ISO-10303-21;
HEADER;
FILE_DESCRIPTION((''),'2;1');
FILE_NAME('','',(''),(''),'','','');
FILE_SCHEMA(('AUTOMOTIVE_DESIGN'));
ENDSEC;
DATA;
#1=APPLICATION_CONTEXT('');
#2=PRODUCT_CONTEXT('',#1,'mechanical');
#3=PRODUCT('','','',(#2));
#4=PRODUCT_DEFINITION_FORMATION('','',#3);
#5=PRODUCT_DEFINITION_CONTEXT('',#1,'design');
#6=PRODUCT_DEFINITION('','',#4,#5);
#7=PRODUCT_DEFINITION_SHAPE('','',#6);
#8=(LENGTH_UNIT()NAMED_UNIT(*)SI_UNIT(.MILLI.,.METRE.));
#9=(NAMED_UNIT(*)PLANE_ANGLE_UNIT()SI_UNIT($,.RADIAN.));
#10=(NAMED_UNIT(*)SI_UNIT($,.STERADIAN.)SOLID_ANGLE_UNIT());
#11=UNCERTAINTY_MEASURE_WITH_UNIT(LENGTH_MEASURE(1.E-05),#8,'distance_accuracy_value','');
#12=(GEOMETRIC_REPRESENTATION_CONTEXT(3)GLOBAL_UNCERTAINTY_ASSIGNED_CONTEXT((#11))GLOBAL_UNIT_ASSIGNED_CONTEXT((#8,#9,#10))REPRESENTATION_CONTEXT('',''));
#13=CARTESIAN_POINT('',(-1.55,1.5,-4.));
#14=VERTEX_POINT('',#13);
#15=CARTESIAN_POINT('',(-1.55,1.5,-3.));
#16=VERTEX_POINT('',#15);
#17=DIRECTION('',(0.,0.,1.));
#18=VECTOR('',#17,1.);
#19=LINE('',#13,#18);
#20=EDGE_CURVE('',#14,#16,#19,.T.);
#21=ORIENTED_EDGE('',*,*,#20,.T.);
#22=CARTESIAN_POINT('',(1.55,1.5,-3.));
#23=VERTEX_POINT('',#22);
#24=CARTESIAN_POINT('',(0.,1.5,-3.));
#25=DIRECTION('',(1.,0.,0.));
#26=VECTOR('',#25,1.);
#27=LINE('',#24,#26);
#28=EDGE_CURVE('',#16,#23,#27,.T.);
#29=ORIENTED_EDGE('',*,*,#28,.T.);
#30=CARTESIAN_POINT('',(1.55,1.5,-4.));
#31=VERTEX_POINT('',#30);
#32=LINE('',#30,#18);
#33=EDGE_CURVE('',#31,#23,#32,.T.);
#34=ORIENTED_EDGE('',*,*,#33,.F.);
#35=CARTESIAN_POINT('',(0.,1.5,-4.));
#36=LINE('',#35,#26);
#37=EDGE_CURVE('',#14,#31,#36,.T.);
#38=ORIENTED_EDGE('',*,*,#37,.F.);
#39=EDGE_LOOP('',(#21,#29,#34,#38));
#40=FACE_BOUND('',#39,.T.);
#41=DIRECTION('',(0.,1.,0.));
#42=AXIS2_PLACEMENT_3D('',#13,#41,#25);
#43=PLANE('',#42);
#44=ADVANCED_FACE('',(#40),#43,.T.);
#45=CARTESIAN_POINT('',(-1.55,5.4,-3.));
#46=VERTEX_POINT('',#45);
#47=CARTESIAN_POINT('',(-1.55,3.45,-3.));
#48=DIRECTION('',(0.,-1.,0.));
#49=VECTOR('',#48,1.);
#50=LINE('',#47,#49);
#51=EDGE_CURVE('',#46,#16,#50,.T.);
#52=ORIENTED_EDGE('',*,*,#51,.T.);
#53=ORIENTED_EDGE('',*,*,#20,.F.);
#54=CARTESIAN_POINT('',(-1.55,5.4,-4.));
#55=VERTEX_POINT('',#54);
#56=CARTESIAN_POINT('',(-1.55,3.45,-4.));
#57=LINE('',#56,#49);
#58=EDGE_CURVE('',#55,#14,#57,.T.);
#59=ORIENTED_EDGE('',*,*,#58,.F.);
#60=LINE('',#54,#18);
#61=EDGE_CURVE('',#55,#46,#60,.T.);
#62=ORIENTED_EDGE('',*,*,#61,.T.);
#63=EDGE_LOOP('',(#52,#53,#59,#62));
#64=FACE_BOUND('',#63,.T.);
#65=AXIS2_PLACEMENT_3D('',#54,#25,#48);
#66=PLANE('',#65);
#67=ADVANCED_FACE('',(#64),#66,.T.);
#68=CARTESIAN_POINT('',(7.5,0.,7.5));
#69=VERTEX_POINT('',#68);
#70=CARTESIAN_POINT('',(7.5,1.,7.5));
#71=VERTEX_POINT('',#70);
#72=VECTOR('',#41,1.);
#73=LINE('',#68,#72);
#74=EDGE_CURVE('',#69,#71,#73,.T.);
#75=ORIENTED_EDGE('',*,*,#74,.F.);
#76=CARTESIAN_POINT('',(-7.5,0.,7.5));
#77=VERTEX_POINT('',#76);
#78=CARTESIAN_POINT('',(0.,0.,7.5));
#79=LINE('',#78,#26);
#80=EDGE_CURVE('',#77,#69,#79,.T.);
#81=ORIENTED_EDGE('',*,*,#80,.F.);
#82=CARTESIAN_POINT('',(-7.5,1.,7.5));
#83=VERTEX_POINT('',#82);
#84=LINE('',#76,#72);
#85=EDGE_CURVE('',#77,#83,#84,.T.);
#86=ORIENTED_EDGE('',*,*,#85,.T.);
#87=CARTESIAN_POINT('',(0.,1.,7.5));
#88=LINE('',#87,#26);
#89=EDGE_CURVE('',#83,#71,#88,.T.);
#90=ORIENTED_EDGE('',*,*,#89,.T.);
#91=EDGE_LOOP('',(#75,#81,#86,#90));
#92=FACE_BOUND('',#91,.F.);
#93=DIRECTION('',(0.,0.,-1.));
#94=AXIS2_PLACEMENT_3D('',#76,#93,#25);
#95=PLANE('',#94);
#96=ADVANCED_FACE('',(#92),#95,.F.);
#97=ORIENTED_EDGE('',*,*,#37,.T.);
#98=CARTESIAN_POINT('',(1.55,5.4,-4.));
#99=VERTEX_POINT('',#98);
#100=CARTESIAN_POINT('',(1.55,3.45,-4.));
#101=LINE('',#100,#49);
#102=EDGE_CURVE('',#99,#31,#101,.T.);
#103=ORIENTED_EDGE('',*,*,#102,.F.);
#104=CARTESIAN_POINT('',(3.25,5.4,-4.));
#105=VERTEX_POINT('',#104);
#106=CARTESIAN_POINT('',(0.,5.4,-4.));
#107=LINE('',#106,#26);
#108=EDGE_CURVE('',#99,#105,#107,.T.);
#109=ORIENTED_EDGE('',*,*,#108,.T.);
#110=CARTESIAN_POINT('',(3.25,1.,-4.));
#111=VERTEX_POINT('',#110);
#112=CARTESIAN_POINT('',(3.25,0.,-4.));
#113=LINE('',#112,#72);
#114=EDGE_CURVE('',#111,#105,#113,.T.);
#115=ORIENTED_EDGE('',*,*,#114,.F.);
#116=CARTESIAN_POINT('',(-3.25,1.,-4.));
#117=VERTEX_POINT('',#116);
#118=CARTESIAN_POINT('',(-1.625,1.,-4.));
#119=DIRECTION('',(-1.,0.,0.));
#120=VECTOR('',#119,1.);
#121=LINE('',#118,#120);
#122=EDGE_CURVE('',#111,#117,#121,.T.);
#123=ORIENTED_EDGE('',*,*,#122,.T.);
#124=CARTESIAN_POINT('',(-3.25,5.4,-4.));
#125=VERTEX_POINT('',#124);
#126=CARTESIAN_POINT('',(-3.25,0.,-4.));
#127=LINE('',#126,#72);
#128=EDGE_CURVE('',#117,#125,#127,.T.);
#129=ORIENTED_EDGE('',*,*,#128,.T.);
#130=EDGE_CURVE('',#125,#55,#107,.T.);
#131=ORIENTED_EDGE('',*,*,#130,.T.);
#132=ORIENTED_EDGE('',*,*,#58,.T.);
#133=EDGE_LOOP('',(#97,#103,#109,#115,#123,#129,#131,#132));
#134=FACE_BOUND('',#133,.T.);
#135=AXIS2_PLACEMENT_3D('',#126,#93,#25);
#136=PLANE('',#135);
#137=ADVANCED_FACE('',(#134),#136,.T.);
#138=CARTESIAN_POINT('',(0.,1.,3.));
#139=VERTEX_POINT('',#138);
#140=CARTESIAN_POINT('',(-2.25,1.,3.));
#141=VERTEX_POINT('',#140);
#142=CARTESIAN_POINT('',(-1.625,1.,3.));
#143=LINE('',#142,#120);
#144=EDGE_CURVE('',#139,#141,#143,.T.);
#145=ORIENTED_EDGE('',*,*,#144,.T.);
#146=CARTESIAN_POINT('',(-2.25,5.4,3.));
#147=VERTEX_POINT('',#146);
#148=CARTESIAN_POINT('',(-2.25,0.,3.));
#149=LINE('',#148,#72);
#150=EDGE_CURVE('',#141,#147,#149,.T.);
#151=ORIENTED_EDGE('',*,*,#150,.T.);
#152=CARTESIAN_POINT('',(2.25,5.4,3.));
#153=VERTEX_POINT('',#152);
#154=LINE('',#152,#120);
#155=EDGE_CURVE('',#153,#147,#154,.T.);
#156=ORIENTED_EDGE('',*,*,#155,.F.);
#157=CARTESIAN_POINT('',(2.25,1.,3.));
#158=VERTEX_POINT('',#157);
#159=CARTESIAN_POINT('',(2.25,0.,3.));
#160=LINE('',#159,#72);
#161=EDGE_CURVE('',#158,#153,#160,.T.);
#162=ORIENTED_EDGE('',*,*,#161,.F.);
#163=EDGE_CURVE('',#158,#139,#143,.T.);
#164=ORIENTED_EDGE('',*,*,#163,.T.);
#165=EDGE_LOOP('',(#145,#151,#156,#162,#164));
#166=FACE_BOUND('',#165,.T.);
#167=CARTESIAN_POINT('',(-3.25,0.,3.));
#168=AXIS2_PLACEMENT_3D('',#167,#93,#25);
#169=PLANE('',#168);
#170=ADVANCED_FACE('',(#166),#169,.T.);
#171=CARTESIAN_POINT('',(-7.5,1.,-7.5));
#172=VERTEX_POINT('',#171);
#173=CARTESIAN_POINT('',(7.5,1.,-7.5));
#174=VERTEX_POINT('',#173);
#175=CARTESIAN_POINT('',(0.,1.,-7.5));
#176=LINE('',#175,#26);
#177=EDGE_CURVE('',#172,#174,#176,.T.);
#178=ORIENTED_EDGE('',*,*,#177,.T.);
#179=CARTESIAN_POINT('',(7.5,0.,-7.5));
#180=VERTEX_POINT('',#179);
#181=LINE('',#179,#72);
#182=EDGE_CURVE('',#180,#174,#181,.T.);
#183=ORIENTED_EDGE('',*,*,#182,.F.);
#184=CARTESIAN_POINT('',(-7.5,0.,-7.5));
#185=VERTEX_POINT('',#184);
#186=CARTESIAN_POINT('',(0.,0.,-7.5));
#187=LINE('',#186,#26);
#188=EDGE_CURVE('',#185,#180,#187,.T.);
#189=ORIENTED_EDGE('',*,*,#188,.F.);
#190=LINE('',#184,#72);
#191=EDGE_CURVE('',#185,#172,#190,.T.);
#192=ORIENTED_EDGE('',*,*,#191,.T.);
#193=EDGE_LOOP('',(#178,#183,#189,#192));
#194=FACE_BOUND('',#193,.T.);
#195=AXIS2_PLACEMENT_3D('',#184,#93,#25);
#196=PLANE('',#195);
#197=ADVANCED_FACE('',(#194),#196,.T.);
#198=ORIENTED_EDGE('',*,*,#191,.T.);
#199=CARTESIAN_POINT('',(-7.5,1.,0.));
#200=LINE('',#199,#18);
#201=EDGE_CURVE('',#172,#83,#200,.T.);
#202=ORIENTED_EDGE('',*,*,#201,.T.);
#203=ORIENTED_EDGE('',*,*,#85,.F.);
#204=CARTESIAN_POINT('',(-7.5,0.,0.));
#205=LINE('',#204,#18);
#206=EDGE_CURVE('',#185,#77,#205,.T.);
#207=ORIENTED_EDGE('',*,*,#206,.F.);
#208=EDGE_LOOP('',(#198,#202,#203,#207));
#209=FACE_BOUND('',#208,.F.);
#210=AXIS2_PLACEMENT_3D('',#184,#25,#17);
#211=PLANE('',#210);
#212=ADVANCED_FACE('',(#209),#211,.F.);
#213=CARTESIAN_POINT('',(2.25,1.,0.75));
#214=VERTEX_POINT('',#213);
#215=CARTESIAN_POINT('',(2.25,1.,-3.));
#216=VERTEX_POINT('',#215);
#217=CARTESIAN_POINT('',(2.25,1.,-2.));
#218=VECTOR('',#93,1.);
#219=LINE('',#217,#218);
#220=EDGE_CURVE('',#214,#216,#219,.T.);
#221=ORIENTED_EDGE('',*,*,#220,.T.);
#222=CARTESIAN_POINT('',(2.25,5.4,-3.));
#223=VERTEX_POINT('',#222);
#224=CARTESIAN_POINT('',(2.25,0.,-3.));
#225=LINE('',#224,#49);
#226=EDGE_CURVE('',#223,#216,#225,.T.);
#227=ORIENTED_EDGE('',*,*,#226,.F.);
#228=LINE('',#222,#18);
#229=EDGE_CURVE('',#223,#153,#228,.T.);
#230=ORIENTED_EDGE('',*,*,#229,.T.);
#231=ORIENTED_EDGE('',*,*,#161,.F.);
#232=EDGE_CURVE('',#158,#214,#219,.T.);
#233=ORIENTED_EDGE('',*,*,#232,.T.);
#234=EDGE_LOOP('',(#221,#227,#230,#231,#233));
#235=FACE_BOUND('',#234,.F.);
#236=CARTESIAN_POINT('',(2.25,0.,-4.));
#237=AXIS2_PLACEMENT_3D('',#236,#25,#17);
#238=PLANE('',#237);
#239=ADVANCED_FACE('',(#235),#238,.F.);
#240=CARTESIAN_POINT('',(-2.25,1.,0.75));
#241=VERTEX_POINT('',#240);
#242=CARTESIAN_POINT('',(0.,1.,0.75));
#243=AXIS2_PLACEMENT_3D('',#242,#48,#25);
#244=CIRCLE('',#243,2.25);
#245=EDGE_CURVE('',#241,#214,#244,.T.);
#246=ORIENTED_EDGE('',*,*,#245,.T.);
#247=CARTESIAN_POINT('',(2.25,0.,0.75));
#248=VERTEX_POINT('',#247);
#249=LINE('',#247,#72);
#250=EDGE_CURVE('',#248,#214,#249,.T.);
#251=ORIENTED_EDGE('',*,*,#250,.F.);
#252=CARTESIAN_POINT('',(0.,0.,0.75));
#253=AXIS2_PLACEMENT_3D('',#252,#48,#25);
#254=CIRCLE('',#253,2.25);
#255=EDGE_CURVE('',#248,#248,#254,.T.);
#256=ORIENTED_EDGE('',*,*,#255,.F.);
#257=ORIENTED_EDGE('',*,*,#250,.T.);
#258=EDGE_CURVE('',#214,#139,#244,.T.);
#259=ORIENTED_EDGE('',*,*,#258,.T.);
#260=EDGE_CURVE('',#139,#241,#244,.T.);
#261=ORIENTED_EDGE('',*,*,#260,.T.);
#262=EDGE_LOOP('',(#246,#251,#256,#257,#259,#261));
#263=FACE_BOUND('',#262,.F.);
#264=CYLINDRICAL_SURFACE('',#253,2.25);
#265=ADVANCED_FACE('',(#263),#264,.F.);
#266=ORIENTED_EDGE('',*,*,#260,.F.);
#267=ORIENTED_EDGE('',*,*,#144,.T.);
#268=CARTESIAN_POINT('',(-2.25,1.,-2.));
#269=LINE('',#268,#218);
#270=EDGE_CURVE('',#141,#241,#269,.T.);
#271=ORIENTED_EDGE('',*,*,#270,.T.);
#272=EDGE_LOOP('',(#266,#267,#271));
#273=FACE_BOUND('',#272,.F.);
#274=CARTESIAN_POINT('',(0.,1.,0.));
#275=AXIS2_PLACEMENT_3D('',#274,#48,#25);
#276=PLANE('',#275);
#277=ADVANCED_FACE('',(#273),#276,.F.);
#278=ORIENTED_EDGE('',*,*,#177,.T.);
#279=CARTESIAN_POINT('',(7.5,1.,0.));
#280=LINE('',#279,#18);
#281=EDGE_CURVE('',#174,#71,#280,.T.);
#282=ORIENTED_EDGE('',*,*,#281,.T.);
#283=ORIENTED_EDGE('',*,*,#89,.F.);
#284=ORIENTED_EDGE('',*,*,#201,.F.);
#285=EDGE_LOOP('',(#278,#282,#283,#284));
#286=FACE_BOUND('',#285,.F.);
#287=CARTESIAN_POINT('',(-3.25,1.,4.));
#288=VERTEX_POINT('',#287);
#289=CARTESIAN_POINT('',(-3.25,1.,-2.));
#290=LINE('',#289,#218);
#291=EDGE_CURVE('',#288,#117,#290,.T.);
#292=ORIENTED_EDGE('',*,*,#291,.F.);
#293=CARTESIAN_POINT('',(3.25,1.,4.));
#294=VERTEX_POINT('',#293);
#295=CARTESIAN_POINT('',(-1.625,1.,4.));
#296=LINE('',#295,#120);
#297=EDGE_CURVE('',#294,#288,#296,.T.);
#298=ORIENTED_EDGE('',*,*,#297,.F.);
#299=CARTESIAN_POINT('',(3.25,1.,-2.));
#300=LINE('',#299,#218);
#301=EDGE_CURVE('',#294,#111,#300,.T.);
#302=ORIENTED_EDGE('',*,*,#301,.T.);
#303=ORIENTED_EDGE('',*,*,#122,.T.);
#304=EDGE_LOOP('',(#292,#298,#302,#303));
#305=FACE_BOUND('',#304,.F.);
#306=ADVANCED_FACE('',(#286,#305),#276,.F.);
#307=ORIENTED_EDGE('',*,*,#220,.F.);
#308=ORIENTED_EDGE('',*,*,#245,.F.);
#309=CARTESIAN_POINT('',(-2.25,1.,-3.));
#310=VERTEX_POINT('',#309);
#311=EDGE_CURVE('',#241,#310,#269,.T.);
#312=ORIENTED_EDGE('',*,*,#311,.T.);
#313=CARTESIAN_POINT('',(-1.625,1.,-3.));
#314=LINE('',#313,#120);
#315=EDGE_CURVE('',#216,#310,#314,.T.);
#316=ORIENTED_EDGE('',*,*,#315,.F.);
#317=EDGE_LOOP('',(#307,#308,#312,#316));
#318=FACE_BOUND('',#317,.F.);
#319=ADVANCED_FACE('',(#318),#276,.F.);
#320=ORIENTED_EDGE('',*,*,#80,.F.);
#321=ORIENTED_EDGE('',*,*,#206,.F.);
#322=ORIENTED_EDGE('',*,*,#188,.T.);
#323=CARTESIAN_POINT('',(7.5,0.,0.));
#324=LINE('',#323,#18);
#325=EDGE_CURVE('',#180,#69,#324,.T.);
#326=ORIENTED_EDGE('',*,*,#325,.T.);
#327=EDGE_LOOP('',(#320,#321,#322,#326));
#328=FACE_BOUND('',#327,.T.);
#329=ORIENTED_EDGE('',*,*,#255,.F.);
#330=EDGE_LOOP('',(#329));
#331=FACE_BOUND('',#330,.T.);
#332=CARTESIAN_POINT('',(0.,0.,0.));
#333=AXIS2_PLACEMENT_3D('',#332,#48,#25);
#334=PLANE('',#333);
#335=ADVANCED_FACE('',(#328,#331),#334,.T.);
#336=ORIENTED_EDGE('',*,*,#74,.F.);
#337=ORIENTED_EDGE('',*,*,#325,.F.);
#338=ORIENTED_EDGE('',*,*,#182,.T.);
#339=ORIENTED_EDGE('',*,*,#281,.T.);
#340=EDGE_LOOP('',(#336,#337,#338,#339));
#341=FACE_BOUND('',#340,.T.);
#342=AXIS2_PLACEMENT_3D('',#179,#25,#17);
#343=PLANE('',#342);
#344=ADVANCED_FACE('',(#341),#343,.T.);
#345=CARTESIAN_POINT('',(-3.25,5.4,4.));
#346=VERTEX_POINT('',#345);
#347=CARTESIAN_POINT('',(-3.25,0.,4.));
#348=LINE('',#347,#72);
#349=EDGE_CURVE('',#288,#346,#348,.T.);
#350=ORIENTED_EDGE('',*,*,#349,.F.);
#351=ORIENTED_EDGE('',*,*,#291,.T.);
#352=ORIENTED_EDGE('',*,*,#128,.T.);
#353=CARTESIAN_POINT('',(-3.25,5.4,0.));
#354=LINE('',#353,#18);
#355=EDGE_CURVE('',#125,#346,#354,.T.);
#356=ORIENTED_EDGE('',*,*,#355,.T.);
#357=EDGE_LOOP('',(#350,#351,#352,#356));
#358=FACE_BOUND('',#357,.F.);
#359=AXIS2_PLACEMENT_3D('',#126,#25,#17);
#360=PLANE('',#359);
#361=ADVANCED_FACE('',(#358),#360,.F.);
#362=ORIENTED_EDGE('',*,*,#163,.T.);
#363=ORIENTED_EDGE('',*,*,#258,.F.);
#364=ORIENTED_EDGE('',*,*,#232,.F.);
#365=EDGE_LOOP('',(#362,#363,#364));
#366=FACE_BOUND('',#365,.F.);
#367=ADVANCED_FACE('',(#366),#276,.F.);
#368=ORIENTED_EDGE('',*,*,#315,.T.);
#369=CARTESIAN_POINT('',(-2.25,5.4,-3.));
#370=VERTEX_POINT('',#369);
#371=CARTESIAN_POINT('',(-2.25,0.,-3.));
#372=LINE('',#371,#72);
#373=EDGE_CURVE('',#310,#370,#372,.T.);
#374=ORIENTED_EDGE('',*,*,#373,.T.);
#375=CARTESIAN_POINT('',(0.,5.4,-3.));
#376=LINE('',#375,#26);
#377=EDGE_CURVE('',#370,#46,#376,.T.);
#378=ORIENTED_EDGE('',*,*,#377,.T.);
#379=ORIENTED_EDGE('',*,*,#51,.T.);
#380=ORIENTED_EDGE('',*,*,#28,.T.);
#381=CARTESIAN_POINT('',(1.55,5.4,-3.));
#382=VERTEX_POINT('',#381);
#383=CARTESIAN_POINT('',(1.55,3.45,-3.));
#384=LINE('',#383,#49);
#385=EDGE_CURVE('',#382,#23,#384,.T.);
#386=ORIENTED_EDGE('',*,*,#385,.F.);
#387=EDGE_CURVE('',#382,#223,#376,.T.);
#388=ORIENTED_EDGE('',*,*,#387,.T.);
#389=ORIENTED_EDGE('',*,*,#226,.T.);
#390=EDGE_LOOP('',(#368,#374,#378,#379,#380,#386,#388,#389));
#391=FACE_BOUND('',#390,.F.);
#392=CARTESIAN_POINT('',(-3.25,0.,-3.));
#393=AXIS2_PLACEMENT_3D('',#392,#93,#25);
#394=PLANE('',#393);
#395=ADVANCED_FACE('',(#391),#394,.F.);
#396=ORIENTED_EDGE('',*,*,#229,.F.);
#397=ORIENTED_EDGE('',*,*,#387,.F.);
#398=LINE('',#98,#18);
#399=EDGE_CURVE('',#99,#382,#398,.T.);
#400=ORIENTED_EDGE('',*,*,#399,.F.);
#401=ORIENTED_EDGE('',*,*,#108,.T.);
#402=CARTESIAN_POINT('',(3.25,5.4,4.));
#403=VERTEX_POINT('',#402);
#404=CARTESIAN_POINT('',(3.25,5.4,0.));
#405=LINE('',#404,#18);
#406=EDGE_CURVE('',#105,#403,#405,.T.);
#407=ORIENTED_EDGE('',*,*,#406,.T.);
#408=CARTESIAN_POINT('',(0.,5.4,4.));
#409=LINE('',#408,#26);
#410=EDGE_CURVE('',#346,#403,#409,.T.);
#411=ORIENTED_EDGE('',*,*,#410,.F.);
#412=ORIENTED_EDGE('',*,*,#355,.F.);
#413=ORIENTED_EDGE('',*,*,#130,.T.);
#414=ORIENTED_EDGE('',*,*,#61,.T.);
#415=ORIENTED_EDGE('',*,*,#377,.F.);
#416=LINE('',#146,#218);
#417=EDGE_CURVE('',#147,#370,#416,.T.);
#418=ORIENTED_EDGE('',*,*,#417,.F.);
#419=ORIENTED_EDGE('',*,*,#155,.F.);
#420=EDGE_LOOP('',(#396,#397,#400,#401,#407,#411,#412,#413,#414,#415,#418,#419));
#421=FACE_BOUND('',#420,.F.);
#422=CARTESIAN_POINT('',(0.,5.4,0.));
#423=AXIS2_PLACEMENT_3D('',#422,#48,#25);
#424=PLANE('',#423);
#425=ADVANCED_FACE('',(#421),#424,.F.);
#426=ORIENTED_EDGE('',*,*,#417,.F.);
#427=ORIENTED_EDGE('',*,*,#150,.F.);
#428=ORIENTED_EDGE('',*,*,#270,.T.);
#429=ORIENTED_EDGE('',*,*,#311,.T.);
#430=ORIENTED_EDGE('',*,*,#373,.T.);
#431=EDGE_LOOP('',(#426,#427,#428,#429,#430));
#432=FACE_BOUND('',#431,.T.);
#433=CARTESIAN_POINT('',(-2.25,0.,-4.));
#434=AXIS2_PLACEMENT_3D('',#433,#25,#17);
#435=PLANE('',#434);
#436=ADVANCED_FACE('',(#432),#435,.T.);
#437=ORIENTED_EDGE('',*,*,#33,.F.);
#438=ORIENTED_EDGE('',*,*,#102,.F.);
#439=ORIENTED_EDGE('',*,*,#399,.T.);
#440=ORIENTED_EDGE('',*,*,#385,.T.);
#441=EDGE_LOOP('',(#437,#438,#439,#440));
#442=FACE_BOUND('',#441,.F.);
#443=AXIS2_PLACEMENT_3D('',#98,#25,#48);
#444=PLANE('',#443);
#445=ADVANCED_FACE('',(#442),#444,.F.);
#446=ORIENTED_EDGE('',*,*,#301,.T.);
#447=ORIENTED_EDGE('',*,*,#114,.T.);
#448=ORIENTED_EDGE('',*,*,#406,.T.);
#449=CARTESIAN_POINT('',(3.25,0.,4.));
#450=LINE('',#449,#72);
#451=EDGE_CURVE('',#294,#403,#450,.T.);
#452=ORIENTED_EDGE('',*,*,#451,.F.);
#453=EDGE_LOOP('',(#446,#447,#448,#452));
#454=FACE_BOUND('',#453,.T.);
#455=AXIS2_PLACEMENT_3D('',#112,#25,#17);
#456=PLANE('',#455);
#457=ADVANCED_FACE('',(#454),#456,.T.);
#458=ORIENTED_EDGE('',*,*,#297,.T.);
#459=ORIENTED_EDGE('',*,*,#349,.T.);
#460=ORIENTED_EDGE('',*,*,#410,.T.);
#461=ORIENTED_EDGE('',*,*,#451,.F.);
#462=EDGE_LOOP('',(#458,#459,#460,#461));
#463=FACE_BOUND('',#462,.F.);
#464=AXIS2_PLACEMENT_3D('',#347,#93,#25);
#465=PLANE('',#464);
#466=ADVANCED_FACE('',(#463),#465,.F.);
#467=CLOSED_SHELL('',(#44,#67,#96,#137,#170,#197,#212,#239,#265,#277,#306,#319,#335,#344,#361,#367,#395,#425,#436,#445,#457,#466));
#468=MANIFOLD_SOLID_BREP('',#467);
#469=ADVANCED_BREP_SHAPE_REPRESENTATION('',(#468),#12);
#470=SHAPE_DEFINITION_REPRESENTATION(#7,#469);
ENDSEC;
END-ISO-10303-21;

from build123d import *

# Parameters (mm, degrees)
F0_W     = 6.5
F0_H     = 8
F1_DEPTH = 5.4
F2_T     = -1
F3_W     = 3.1
F3_H     = 3.9
F4_DEPTH = 1
F5_W     = 15
F5_H     = 15
F6_DEPTH = 1
F7_R     = 2.25
F8_DEPTH = 25


with BuildPart() as f1:
    # F0 (on Front) → F1 (new body)
    with BuildSketch(Plane.XZ):
        Rectangle(F0_W, F0_H)
    extrude(amount=-F1_DEPTH)

    # F2
    f2_openings = [f1.faces().sort_by_distance(p)[0] for p in [
        (0, 5.4, 0),
    ]]
    offset(amount=F2_T, openings=f2_openings)

    # F3 (on face) → F4 (cut)
    with BuildSketch(Plane(origin=(0, 0, -4), x_dir=(1, 0, 0), z_dir=(0, 0, -1))):
        with Locations((0, -3.45)):
            Rectangle(F3_W, F3_H)
    extrude(amount=-F4_DEPTH, mode=Mode.SUBTRACT)

    # F5 (on face) → F6 (join)
    with BuildSketch(Plane.XZ):
        Rectangle(F5_W, F5_H)
    extrude(amount=-F6_DEPTH)

    # F7 (on face) → F8 (cut)
    with BuildSketch(Plane.XZ):
        with Locations((0, 0.75)):
            Circle(F7_R)
    extrude(amount=-F8_DEPTH, mode=Mode.SUBTRACT)


solid = f1.part
